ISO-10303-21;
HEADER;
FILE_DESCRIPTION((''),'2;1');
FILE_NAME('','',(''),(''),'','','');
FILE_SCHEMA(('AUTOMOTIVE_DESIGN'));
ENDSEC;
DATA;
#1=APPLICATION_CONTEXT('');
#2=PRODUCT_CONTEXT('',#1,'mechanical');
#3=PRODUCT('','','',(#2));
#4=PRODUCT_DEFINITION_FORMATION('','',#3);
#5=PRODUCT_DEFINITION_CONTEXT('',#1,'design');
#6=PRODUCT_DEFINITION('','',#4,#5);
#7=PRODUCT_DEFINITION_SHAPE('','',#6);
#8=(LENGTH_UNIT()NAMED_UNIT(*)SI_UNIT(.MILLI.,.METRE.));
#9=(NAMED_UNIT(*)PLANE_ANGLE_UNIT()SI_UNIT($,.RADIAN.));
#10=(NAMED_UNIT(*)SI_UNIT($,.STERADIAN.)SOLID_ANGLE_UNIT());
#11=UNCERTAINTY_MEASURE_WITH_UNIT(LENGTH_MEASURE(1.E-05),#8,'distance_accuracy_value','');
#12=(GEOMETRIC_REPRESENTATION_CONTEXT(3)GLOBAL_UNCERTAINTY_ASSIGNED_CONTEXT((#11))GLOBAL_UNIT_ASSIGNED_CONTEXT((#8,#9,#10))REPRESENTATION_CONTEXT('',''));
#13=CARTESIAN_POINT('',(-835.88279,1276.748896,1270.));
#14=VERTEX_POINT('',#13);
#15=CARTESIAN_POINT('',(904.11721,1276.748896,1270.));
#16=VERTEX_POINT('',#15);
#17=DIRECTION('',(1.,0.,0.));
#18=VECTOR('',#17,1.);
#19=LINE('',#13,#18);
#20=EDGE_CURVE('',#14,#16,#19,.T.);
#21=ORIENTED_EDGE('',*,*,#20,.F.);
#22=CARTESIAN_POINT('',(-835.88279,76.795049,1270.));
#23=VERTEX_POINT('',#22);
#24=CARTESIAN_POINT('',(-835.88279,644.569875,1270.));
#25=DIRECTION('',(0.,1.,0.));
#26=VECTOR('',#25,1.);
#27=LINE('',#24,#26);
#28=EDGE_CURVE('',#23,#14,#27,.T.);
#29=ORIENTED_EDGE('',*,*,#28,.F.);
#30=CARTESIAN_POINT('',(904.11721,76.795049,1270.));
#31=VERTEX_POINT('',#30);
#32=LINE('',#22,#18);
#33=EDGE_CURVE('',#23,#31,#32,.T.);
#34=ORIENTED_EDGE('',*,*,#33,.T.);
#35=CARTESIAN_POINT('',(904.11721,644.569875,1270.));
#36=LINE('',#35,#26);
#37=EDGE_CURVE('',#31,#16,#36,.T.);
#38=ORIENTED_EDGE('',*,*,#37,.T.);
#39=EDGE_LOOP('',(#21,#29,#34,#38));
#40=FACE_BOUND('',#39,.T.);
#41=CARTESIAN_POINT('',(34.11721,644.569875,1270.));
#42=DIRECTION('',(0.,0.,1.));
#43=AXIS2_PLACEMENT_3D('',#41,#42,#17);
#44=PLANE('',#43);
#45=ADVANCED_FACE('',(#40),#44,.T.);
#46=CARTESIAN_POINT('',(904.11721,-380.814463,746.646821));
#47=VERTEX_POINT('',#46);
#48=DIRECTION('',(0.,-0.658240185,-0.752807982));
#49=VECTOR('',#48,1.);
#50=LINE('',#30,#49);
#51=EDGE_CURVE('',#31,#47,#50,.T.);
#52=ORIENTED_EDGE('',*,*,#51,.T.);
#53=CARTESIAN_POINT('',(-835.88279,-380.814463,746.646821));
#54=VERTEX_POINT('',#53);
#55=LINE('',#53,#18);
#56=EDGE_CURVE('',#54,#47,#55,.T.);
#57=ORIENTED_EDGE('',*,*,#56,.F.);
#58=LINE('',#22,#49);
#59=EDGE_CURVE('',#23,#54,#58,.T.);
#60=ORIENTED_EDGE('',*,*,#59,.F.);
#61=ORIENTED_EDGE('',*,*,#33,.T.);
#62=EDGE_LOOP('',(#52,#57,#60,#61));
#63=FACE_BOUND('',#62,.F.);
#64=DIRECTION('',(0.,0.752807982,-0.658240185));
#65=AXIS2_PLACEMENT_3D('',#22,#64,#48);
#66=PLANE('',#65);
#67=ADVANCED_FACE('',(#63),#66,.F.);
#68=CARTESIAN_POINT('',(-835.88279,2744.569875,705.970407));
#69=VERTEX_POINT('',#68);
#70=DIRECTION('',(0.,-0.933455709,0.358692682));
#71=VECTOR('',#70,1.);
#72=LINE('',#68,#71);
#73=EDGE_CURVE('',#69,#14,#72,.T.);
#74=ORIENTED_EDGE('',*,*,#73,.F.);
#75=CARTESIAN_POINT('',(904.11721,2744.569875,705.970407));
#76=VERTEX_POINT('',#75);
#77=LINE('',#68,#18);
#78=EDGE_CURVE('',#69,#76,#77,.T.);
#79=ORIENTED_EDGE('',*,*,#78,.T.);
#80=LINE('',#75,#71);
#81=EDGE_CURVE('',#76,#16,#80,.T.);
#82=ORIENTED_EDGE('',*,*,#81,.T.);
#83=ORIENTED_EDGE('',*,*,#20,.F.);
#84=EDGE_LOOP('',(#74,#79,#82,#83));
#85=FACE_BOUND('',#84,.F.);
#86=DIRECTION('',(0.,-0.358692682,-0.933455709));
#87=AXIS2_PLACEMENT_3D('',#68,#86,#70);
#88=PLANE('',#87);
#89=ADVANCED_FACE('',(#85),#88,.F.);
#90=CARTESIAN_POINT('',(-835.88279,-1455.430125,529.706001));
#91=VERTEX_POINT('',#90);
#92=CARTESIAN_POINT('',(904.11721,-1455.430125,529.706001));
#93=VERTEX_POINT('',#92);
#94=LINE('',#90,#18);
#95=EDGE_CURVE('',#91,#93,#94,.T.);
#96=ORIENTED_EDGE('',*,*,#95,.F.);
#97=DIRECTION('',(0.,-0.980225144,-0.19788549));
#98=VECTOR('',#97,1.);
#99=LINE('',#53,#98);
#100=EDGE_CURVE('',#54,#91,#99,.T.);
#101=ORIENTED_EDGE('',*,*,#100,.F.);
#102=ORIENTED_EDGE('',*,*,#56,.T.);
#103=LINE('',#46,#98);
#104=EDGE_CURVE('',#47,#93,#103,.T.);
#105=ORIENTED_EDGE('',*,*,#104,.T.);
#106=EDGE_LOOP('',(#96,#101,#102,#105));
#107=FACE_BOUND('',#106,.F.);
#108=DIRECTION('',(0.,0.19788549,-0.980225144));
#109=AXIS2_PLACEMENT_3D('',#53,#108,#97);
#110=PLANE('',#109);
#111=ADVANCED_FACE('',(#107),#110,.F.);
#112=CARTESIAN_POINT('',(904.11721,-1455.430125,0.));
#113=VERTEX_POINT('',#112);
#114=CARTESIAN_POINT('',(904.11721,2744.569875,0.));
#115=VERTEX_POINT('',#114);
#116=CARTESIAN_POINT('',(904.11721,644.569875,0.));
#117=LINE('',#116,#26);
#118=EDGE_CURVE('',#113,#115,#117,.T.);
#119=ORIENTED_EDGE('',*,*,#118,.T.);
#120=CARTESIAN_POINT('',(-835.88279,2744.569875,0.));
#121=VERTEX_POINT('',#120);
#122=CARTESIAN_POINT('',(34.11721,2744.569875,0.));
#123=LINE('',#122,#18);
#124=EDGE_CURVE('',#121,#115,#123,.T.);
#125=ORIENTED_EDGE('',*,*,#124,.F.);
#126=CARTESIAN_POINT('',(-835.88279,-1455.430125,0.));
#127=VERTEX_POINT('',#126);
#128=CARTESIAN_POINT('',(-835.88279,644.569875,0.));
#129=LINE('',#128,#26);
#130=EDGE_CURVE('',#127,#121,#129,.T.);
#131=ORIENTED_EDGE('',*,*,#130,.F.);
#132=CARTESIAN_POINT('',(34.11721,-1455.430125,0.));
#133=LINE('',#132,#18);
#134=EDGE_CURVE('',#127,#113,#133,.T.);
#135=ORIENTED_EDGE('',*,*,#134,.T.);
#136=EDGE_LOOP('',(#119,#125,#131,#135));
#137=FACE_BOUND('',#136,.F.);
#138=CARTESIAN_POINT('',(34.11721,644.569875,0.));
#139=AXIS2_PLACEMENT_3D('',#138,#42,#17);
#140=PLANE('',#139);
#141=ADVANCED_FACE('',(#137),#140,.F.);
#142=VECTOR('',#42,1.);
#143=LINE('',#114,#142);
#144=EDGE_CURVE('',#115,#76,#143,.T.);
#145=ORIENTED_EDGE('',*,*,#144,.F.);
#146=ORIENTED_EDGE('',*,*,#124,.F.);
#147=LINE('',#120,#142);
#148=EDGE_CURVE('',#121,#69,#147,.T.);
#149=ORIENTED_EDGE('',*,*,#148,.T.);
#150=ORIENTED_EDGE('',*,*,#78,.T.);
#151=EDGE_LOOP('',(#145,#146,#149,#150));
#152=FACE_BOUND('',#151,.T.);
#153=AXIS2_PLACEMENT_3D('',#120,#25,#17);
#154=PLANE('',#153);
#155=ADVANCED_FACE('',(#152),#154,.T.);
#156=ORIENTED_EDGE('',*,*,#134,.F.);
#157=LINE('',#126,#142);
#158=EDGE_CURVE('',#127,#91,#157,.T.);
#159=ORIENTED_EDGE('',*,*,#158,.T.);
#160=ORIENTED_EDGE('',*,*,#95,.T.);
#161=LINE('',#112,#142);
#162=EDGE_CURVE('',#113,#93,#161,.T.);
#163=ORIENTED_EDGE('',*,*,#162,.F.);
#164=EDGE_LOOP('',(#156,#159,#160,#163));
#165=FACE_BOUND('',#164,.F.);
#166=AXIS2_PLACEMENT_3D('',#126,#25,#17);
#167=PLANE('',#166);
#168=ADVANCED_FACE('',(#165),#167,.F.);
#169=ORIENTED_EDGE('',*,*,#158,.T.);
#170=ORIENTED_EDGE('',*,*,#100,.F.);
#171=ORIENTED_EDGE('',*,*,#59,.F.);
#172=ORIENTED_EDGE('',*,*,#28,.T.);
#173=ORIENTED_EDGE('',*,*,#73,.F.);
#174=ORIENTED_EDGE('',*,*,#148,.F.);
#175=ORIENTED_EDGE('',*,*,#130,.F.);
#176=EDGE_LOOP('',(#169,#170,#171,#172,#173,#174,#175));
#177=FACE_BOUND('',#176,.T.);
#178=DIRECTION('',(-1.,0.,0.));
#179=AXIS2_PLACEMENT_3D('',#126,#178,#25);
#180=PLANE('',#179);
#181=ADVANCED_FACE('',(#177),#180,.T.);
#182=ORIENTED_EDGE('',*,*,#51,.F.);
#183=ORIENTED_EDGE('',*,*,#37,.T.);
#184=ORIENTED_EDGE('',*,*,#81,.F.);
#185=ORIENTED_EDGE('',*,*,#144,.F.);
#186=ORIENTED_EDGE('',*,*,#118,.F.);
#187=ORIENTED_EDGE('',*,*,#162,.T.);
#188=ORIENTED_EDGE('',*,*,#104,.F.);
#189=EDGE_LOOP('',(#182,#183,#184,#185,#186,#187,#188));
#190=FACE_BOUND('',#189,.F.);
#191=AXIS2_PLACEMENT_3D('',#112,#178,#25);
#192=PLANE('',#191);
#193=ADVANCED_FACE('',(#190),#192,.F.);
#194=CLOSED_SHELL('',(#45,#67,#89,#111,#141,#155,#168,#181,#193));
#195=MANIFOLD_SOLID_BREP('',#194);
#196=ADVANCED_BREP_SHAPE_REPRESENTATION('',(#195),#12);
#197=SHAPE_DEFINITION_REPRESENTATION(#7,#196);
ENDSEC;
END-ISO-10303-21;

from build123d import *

# Parameters (mm, degrees)
F0_W     = 1740
F0_H     = 4200
F1_DEPTH = 1270
F3_DEPTH = 1740


with BuildPart() as f1:
    # F0 (on Top) → F1 (new body)
    with BuildSketch(Plane.XY):
        with Locations((34.11721, 644.569875)):
            Rectangle(F0_W, F0_H)
    extrude(amount=F1_DEPTH)

    # F2 (on face) → F3 (cut, through all)
    with BuildSketch(Plane(origin=(-835.88279, 0, 0), x_dir=(0, -1, 0), z_dir=(-1, 0, 0))):
        Polygon((-2744.569875, 705.970407), (-1276.748896, 1270), (-2744.569875, 1270), align=None)
        Polygon((380.814463, 746.646821), (1455.430125, 529.706001), (1455.430125, 1270), (-76.795049, 1270), align=None)
    extrude(amount=-F3_DEPTH, mode=Mode.SUBTRACT)


solid = f1.part
